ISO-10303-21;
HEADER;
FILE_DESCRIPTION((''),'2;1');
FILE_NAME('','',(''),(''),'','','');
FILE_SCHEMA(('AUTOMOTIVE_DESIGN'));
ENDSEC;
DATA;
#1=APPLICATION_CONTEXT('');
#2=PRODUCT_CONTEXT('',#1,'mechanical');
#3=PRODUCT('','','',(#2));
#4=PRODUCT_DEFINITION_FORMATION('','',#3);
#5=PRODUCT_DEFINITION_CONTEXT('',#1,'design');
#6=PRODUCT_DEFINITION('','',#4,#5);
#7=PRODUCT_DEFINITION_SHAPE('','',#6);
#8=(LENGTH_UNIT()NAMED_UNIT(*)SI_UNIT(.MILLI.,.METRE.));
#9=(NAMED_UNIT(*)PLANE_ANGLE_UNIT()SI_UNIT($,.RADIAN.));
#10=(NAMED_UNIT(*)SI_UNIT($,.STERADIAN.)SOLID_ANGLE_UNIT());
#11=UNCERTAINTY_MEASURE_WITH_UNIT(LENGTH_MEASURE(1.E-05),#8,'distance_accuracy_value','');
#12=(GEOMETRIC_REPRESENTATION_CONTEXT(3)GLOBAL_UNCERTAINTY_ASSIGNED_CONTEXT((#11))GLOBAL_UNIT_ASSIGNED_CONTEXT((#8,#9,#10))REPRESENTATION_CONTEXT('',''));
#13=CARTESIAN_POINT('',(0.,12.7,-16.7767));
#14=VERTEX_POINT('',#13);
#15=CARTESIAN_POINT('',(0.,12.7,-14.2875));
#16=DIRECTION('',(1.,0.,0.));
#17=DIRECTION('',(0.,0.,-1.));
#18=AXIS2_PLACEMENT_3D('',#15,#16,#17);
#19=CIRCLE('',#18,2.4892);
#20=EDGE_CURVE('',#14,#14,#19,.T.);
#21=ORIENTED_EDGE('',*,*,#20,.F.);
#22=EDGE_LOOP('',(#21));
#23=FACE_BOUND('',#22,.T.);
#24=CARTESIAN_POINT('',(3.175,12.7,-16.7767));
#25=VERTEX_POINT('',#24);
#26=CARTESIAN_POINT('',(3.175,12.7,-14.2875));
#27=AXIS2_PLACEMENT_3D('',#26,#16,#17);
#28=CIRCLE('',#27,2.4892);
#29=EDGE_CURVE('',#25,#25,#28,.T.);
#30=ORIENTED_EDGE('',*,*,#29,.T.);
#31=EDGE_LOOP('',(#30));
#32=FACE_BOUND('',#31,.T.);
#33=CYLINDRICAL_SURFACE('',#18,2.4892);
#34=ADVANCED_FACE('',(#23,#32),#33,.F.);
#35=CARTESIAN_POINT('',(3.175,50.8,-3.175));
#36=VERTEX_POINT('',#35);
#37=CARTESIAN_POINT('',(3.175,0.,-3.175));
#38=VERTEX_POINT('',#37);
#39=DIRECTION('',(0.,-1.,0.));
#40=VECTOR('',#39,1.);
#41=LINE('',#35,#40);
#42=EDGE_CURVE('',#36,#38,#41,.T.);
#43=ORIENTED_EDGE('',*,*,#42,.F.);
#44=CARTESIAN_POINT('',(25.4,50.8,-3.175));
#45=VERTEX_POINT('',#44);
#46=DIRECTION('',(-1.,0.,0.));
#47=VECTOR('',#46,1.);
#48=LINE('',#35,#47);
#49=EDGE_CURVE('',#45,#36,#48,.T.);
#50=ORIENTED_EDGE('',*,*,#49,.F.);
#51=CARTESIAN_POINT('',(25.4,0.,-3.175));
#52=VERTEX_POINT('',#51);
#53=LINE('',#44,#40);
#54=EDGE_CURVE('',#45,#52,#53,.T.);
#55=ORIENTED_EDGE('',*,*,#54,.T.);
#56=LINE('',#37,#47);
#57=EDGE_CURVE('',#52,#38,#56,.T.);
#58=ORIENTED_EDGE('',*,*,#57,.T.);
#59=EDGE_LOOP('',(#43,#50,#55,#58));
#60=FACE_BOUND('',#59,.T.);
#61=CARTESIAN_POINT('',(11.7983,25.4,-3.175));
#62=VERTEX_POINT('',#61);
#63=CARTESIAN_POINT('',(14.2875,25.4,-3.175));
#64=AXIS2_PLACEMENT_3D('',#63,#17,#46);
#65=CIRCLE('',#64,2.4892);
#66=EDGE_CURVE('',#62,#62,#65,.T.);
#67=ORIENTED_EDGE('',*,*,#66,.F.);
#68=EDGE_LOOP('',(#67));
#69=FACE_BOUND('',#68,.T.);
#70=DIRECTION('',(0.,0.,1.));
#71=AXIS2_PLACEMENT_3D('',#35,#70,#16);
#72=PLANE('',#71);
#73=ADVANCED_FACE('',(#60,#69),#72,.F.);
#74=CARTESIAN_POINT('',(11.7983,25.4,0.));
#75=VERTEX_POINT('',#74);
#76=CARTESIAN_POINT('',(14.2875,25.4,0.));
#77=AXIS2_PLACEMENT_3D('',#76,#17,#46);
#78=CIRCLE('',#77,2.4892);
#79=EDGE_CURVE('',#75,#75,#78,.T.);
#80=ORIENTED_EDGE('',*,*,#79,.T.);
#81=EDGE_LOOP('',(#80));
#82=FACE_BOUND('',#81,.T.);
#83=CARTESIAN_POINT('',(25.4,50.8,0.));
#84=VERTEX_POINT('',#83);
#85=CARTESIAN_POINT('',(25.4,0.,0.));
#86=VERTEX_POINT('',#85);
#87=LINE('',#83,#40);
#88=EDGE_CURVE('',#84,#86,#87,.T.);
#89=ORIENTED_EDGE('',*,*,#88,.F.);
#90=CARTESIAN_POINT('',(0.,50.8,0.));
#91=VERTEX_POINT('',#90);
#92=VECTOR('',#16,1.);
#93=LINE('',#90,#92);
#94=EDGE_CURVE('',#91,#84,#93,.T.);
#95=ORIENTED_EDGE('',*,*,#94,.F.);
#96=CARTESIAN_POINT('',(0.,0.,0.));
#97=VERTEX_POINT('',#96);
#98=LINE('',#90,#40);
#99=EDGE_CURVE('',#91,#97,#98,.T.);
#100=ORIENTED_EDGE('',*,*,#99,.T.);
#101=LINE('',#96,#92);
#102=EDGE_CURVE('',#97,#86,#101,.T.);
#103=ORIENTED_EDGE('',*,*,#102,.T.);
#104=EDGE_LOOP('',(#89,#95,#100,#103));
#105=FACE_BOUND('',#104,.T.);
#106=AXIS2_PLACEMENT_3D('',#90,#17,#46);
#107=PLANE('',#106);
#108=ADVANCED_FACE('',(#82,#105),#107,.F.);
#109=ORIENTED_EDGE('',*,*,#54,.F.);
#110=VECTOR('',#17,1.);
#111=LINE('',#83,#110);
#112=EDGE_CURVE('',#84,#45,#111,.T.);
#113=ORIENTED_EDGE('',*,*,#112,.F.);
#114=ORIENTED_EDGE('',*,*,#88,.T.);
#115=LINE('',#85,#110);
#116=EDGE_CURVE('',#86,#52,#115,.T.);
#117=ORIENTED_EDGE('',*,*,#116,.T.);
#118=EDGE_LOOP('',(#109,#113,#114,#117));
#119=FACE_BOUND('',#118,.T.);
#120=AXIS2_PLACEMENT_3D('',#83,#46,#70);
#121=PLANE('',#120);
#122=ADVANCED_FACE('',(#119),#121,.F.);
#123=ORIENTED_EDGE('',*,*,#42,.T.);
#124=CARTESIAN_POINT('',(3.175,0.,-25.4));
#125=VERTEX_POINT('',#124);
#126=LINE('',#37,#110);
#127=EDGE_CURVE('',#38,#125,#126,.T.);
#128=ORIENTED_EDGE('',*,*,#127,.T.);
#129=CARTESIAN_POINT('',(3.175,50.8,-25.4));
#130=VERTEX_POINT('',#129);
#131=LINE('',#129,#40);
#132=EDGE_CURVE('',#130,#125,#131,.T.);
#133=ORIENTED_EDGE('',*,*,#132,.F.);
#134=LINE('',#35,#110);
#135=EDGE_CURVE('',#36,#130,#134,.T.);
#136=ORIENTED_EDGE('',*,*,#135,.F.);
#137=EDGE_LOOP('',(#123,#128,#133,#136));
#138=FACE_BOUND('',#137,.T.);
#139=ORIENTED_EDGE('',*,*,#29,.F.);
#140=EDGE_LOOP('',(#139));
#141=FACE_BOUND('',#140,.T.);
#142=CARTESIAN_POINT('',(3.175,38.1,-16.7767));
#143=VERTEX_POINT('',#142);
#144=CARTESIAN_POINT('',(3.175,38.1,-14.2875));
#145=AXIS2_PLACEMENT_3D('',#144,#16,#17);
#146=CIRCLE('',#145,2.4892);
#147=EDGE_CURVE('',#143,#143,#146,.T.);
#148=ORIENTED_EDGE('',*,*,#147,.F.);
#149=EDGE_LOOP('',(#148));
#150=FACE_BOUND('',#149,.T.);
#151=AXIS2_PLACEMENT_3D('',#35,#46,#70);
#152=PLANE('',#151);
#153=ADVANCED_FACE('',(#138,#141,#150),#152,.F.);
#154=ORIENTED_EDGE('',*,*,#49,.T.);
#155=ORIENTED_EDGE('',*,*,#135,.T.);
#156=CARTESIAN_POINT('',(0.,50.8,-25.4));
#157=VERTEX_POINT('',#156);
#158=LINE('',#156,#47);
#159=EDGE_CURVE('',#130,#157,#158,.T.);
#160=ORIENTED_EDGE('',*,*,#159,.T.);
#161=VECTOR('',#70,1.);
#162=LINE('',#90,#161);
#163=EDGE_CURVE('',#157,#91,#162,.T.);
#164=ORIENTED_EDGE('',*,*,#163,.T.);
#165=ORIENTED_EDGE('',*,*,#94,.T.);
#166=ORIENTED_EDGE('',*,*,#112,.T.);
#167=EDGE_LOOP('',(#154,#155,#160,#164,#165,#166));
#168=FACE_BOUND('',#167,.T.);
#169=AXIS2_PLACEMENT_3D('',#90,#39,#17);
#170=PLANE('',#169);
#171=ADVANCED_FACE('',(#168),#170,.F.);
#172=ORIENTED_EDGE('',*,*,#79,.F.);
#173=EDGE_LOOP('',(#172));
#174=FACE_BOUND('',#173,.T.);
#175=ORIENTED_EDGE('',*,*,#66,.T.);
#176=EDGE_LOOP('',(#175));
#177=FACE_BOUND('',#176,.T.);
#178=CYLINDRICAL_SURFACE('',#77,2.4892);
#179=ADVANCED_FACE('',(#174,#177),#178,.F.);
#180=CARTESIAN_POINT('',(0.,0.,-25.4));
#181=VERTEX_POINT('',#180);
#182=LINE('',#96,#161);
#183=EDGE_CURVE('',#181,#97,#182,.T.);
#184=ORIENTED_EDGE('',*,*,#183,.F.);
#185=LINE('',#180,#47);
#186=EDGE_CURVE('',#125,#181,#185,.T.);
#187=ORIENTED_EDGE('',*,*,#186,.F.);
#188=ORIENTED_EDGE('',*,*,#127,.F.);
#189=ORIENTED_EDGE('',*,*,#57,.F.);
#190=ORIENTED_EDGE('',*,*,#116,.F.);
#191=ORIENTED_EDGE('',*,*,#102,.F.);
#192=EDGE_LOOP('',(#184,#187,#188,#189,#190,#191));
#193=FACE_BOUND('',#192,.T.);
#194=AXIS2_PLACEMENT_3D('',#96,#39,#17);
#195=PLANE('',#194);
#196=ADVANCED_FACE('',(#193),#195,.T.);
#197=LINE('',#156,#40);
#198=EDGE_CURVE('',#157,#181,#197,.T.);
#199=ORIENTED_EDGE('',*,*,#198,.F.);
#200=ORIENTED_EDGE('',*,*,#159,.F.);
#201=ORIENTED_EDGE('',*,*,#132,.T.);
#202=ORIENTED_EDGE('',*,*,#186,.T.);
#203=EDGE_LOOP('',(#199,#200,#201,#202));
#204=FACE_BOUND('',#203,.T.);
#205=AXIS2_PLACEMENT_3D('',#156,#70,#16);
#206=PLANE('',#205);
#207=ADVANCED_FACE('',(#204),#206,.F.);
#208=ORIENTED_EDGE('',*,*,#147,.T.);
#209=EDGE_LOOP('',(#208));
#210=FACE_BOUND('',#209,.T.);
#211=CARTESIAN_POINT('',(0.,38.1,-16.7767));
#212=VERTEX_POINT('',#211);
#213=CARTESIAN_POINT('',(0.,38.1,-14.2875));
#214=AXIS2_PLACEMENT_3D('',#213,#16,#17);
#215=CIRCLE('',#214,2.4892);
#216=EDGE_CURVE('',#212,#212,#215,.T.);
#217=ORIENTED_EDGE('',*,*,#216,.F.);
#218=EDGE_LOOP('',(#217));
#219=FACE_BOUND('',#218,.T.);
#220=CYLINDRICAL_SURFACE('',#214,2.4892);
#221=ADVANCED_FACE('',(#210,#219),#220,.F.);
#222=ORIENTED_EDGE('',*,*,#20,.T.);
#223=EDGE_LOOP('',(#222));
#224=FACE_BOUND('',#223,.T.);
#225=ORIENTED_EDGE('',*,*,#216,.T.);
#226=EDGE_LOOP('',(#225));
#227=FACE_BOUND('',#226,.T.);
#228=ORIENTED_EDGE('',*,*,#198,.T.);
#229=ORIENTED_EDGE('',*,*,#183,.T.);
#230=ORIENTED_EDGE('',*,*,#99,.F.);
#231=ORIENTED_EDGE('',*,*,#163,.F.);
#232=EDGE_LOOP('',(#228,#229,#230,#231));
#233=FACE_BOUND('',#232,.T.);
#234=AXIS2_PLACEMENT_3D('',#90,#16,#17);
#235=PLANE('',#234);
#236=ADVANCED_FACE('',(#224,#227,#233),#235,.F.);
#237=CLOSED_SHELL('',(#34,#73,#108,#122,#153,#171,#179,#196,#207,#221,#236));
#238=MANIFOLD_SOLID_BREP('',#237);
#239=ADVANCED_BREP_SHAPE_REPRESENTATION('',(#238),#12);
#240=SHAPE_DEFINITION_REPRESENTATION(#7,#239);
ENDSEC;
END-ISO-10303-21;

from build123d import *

# Parameters (mm, degrees)
BOSS_EXTRUDE1_DEPTH = 50.8
SKETCH3_R           = 2.4892
CUT_EXTRUDE1_DEPTH  = 4.175
SKETCH4_R           = 2.4892
CUT_EXTRUDE2_DEPTH  = 4.175


with BuildPart() as part:
    # Sketch1 → Boss-Extrude1 (new body)
    with BuildSketch(Plane(origin=(0, 0, 0), x_dir=(1, 0, 0), z_dir=(0, 1, 0))):
        Polygon((3.175, 3.175), (25.4, 3.175), (25.4, 0), (0, 0), (0, 25.4), (3.175, 25.4), align=None)
    extrude(amount=BOSS_EXTRUDE1_DEPTH)

    # Sketch3 → Cut-Extrude1 (cut, through all)
    with BuildSketch(Plane(origin=(0, 0, -3.175), x_dir=(-1, 0, 0), z_dir=(0, 0, -1))):
        with Locations((-14.2875, 25.4)):
            Circle(SKETCH3_R)
    extrude(amount=-CUT_EXTRUDE1_DEPTH, mode=Mode.SUBTRACT)

    # Sketch4 → Cut-Extrude2 (cut, through all)
    with BuildSketch(Plane(origin=(3.175, 0, 0), x_dir=(0, 0, -1), z_dir=(1, 0, 0))):
        with Locations((14.2875, 12.7)):
            Circle(SKETCH4_R)
        with Locations((14.2875, 38.1)):
            Circle(SKETCH4_R)
    extrude(amount=-CUT_EXTRUDE2_DEPTH, mode=Mode.SUBTRACT)


solid = part.part
